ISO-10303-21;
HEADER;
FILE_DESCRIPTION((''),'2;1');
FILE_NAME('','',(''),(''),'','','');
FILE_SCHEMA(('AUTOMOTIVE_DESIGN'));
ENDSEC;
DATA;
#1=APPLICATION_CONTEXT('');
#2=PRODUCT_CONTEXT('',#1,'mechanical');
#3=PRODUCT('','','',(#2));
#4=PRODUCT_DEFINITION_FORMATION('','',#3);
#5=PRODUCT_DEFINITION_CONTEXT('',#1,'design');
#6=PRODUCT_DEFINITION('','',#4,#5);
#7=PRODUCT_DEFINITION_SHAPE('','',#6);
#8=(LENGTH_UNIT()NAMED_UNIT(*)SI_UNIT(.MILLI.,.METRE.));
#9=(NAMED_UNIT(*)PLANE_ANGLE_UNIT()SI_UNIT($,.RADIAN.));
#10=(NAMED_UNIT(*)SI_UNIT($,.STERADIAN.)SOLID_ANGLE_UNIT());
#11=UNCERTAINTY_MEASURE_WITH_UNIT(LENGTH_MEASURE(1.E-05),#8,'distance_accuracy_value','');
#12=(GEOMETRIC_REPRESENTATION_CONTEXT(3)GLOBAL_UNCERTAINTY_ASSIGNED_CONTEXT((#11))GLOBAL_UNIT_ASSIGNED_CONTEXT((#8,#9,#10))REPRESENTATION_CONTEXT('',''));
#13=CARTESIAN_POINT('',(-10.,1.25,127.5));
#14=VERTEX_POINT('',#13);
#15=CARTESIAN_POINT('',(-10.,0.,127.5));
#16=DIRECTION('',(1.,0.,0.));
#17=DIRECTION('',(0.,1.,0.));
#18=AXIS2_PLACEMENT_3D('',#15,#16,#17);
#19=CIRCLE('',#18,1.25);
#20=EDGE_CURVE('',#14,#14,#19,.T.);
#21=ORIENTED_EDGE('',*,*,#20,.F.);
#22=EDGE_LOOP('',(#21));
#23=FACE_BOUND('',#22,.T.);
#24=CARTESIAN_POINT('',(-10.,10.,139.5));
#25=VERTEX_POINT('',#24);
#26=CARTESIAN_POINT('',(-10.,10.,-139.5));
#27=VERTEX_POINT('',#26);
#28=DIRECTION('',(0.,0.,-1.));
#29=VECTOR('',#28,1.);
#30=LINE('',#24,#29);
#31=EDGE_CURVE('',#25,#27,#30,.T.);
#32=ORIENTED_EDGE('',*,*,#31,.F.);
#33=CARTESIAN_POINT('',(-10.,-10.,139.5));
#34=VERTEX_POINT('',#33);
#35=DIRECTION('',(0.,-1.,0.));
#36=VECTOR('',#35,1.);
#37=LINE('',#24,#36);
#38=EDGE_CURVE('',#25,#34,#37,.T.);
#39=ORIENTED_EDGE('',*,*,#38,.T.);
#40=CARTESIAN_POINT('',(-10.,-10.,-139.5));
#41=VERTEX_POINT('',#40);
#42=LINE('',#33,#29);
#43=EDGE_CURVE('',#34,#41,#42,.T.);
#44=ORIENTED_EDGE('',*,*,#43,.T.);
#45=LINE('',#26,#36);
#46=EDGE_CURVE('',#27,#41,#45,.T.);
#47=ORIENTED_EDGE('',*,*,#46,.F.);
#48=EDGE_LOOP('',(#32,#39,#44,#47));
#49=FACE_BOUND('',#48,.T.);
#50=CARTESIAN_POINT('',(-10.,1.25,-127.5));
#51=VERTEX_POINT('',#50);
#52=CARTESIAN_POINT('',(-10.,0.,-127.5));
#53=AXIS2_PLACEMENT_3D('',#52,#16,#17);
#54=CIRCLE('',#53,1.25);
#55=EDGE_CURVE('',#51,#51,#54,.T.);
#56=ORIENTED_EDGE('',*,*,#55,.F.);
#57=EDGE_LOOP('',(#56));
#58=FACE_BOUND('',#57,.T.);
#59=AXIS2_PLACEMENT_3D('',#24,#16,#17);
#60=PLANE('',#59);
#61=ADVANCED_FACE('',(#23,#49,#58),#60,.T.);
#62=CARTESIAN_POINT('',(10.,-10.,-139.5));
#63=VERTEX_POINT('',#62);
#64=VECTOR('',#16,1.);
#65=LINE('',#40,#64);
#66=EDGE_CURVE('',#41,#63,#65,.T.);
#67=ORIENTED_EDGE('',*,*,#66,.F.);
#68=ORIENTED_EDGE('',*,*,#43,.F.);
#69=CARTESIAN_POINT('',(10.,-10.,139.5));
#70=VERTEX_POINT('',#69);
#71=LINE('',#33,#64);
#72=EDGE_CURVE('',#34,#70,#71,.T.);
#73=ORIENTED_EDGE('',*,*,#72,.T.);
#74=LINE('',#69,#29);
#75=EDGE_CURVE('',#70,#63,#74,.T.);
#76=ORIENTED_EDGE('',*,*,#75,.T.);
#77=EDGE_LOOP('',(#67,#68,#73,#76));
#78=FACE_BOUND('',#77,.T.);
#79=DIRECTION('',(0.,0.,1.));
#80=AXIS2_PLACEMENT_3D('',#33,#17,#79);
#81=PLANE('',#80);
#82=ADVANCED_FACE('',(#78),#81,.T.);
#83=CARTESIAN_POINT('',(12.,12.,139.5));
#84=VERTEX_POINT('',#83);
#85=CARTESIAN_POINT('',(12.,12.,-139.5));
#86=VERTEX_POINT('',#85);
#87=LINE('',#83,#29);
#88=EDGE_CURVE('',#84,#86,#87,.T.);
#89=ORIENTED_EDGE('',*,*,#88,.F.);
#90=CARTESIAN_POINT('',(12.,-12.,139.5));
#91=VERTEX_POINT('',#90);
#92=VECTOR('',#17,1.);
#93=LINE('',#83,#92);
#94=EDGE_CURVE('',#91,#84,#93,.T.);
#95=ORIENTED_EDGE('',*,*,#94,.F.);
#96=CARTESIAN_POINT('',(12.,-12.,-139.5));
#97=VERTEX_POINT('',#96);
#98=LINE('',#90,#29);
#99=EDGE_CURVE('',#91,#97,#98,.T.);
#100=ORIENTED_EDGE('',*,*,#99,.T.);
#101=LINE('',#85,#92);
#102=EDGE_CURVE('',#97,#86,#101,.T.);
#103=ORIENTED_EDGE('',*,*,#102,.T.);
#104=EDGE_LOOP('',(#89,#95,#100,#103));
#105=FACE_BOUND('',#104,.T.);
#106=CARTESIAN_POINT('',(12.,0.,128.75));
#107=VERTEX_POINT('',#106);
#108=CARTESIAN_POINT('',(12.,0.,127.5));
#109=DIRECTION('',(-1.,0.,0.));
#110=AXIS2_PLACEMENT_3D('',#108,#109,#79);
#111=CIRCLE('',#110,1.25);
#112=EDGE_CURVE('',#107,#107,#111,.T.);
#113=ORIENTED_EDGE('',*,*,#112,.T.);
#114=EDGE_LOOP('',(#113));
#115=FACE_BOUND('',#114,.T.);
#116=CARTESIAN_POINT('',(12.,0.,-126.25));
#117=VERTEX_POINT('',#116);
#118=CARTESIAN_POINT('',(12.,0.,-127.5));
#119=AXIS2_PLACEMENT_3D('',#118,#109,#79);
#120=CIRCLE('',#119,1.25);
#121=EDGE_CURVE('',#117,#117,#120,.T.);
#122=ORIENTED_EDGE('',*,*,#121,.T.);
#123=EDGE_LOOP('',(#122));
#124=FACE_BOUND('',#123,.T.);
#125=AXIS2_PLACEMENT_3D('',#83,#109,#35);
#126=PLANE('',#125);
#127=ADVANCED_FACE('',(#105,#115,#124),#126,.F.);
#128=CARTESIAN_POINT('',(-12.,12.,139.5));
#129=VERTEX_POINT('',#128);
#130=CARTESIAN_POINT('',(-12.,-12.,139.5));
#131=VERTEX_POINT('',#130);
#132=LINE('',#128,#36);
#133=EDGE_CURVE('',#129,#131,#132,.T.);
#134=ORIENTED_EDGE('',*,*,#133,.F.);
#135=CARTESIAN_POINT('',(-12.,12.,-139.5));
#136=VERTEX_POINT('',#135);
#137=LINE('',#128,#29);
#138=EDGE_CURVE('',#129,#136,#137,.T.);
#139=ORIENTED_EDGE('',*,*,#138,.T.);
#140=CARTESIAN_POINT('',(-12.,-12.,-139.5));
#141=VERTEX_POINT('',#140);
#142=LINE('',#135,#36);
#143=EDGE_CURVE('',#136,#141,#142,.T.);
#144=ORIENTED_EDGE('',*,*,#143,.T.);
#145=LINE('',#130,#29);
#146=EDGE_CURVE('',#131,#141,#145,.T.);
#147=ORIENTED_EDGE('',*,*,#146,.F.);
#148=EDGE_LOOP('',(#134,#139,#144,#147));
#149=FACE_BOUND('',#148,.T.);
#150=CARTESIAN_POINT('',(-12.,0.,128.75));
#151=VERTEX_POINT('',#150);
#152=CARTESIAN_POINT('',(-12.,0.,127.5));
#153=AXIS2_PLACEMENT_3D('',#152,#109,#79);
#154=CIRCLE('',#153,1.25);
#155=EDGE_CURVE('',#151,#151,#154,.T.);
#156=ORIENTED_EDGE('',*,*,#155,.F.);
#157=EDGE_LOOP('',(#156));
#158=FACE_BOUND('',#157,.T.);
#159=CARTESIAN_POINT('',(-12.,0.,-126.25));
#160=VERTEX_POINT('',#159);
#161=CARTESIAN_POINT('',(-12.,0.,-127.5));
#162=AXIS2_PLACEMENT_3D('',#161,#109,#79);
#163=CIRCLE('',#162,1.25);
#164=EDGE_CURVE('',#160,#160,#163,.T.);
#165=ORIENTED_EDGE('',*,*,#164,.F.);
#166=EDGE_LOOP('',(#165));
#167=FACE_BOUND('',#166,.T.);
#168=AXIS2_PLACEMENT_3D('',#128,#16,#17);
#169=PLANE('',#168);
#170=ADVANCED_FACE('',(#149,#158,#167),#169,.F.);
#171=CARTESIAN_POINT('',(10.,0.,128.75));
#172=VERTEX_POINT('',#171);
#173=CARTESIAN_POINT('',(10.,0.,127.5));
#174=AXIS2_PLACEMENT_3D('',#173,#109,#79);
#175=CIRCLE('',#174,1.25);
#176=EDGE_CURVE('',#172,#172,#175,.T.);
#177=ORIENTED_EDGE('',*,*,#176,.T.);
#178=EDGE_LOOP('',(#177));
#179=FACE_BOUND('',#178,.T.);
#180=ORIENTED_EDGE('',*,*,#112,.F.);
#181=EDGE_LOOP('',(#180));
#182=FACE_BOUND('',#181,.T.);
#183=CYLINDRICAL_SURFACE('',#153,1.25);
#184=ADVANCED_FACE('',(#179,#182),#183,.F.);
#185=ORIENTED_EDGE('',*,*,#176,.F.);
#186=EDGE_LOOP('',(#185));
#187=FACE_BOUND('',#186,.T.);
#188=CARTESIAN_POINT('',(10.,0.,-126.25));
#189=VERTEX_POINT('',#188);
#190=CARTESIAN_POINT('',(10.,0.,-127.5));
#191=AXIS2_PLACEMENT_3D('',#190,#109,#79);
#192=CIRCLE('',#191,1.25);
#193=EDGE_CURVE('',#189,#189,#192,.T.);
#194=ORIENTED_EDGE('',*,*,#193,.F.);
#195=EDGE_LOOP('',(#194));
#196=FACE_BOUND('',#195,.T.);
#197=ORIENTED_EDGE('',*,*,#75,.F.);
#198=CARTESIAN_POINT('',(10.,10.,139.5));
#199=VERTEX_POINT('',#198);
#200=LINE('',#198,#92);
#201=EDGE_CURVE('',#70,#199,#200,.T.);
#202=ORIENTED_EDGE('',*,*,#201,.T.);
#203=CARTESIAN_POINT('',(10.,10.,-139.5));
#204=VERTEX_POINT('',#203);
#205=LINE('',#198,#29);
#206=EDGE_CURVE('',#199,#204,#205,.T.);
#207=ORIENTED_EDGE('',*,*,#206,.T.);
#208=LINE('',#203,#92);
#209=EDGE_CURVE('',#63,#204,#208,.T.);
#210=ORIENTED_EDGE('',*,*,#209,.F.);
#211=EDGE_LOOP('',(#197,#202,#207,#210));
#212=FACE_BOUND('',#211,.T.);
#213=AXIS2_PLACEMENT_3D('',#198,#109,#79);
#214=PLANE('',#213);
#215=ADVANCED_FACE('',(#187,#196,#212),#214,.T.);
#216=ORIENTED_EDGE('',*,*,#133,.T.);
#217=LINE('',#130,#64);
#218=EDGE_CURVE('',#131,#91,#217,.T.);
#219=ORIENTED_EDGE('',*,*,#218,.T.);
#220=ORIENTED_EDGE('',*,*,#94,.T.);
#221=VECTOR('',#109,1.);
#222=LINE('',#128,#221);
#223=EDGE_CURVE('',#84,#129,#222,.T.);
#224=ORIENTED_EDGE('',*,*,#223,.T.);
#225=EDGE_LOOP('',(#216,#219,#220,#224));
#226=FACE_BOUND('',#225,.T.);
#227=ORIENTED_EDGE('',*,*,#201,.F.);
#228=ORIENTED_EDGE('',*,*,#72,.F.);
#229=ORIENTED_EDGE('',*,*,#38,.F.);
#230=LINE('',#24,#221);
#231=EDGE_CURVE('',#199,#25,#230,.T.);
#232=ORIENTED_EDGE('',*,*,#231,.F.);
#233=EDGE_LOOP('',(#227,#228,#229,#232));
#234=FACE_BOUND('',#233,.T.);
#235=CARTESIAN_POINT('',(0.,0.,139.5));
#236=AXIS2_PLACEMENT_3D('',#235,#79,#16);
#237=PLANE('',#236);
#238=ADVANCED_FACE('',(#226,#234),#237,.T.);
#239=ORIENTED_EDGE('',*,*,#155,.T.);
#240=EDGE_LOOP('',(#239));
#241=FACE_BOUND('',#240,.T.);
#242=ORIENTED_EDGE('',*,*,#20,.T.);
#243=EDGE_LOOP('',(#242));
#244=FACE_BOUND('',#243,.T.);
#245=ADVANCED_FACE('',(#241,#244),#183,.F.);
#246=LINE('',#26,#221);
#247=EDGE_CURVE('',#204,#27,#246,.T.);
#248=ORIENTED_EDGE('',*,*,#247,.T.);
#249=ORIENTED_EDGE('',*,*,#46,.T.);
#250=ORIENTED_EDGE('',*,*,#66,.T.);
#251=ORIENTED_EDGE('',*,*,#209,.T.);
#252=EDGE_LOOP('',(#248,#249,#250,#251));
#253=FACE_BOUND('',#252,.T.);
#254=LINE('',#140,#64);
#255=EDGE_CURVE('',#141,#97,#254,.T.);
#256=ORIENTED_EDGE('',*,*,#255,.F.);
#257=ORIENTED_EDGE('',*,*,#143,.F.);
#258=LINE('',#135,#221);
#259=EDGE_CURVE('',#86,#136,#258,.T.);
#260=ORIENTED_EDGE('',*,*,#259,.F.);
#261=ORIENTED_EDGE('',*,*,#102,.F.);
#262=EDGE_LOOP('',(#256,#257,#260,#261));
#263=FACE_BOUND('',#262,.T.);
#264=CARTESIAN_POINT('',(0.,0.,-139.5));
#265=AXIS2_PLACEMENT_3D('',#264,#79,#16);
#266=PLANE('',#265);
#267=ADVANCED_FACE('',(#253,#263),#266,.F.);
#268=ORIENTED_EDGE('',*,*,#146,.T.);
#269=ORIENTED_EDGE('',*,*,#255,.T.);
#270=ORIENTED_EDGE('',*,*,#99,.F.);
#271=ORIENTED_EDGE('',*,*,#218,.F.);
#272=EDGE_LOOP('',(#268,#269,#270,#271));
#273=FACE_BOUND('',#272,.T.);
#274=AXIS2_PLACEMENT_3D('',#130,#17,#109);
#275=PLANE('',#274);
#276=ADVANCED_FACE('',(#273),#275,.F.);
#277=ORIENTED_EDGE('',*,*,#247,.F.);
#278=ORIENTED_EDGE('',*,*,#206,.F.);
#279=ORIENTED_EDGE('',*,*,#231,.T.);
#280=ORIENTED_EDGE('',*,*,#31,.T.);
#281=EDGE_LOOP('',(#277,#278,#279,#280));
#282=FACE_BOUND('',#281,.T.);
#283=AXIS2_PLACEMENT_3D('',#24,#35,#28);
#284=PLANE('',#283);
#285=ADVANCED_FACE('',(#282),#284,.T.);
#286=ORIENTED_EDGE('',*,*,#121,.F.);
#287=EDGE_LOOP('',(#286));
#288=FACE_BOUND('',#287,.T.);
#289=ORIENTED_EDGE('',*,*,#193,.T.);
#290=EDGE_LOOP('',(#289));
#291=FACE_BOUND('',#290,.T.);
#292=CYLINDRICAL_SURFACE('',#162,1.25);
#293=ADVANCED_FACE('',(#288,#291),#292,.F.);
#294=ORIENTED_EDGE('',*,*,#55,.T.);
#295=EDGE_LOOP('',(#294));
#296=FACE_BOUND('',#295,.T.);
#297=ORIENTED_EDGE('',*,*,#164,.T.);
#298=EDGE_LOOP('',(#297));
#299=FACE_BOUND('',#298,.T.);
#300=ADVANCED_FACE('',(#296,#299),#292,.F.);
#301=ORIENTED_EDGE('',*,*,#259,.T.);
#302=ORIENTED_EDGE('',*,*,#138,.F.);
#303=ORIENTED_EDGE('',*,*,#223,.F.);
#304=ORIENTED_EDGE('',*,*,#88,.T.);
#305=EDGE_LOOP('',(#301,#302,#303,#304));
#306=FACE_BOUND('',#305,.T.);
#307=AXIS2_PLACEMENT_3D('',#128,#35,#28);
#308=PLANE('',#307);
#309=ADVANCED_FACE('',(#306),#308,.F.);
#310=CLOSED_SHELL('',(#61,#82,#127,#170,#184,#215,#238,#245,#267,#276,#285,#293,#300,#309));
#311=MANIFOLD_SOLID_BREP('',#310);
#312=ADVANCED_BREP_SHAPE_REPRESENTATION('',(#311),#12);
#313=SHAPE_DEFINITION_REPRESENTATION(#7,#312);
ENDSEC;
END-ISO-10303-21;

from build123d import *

# Parameters (mm, degrees)
SKETCH_1_W         = 24
SKETCH_1_H         = 24
SKETCH_1_W_2       = 20
SKETCH_1_H_2       = 20
EXTRUDE_1_DEPTH    = 139.5
HOLE_WIZARD_M3_2_D = 2.5


with BuildPart() as part:
    # 草图1 → 凸台-拉伸1 (new, symmetric)
    with BuildSketch(Plane.XY):
        Rectangle(SKETCH_1_W, SKETCH_1_H)
        Rectangle(SKETCH_1_W_2, SKETCH_1_H_2, mode=Mode.SUBTRACT)
    extrude(amount=EXTRUDE_1_DEPTH, both=True)

    # M3 螺纹孔的螺纹孔钻头2 (through all)
    with Locations(Plane(origin=(-12, 0, -127.5), x_dir=(0, -1, 0), z_dir=(-1, 0, 0))):
        with Locations((0, 0)):
            hole_wizard_m3_2 = Hole(HOLE_WIZARD_M3_2_D / 2)

    # 镜向1: M3 螺纹孔的螺纹孔钻头2 across plane
    add(hole_wizard_m3_2.mirror(Plane.XY), mode=Mode.SUBTRACT)


solid = part.part
